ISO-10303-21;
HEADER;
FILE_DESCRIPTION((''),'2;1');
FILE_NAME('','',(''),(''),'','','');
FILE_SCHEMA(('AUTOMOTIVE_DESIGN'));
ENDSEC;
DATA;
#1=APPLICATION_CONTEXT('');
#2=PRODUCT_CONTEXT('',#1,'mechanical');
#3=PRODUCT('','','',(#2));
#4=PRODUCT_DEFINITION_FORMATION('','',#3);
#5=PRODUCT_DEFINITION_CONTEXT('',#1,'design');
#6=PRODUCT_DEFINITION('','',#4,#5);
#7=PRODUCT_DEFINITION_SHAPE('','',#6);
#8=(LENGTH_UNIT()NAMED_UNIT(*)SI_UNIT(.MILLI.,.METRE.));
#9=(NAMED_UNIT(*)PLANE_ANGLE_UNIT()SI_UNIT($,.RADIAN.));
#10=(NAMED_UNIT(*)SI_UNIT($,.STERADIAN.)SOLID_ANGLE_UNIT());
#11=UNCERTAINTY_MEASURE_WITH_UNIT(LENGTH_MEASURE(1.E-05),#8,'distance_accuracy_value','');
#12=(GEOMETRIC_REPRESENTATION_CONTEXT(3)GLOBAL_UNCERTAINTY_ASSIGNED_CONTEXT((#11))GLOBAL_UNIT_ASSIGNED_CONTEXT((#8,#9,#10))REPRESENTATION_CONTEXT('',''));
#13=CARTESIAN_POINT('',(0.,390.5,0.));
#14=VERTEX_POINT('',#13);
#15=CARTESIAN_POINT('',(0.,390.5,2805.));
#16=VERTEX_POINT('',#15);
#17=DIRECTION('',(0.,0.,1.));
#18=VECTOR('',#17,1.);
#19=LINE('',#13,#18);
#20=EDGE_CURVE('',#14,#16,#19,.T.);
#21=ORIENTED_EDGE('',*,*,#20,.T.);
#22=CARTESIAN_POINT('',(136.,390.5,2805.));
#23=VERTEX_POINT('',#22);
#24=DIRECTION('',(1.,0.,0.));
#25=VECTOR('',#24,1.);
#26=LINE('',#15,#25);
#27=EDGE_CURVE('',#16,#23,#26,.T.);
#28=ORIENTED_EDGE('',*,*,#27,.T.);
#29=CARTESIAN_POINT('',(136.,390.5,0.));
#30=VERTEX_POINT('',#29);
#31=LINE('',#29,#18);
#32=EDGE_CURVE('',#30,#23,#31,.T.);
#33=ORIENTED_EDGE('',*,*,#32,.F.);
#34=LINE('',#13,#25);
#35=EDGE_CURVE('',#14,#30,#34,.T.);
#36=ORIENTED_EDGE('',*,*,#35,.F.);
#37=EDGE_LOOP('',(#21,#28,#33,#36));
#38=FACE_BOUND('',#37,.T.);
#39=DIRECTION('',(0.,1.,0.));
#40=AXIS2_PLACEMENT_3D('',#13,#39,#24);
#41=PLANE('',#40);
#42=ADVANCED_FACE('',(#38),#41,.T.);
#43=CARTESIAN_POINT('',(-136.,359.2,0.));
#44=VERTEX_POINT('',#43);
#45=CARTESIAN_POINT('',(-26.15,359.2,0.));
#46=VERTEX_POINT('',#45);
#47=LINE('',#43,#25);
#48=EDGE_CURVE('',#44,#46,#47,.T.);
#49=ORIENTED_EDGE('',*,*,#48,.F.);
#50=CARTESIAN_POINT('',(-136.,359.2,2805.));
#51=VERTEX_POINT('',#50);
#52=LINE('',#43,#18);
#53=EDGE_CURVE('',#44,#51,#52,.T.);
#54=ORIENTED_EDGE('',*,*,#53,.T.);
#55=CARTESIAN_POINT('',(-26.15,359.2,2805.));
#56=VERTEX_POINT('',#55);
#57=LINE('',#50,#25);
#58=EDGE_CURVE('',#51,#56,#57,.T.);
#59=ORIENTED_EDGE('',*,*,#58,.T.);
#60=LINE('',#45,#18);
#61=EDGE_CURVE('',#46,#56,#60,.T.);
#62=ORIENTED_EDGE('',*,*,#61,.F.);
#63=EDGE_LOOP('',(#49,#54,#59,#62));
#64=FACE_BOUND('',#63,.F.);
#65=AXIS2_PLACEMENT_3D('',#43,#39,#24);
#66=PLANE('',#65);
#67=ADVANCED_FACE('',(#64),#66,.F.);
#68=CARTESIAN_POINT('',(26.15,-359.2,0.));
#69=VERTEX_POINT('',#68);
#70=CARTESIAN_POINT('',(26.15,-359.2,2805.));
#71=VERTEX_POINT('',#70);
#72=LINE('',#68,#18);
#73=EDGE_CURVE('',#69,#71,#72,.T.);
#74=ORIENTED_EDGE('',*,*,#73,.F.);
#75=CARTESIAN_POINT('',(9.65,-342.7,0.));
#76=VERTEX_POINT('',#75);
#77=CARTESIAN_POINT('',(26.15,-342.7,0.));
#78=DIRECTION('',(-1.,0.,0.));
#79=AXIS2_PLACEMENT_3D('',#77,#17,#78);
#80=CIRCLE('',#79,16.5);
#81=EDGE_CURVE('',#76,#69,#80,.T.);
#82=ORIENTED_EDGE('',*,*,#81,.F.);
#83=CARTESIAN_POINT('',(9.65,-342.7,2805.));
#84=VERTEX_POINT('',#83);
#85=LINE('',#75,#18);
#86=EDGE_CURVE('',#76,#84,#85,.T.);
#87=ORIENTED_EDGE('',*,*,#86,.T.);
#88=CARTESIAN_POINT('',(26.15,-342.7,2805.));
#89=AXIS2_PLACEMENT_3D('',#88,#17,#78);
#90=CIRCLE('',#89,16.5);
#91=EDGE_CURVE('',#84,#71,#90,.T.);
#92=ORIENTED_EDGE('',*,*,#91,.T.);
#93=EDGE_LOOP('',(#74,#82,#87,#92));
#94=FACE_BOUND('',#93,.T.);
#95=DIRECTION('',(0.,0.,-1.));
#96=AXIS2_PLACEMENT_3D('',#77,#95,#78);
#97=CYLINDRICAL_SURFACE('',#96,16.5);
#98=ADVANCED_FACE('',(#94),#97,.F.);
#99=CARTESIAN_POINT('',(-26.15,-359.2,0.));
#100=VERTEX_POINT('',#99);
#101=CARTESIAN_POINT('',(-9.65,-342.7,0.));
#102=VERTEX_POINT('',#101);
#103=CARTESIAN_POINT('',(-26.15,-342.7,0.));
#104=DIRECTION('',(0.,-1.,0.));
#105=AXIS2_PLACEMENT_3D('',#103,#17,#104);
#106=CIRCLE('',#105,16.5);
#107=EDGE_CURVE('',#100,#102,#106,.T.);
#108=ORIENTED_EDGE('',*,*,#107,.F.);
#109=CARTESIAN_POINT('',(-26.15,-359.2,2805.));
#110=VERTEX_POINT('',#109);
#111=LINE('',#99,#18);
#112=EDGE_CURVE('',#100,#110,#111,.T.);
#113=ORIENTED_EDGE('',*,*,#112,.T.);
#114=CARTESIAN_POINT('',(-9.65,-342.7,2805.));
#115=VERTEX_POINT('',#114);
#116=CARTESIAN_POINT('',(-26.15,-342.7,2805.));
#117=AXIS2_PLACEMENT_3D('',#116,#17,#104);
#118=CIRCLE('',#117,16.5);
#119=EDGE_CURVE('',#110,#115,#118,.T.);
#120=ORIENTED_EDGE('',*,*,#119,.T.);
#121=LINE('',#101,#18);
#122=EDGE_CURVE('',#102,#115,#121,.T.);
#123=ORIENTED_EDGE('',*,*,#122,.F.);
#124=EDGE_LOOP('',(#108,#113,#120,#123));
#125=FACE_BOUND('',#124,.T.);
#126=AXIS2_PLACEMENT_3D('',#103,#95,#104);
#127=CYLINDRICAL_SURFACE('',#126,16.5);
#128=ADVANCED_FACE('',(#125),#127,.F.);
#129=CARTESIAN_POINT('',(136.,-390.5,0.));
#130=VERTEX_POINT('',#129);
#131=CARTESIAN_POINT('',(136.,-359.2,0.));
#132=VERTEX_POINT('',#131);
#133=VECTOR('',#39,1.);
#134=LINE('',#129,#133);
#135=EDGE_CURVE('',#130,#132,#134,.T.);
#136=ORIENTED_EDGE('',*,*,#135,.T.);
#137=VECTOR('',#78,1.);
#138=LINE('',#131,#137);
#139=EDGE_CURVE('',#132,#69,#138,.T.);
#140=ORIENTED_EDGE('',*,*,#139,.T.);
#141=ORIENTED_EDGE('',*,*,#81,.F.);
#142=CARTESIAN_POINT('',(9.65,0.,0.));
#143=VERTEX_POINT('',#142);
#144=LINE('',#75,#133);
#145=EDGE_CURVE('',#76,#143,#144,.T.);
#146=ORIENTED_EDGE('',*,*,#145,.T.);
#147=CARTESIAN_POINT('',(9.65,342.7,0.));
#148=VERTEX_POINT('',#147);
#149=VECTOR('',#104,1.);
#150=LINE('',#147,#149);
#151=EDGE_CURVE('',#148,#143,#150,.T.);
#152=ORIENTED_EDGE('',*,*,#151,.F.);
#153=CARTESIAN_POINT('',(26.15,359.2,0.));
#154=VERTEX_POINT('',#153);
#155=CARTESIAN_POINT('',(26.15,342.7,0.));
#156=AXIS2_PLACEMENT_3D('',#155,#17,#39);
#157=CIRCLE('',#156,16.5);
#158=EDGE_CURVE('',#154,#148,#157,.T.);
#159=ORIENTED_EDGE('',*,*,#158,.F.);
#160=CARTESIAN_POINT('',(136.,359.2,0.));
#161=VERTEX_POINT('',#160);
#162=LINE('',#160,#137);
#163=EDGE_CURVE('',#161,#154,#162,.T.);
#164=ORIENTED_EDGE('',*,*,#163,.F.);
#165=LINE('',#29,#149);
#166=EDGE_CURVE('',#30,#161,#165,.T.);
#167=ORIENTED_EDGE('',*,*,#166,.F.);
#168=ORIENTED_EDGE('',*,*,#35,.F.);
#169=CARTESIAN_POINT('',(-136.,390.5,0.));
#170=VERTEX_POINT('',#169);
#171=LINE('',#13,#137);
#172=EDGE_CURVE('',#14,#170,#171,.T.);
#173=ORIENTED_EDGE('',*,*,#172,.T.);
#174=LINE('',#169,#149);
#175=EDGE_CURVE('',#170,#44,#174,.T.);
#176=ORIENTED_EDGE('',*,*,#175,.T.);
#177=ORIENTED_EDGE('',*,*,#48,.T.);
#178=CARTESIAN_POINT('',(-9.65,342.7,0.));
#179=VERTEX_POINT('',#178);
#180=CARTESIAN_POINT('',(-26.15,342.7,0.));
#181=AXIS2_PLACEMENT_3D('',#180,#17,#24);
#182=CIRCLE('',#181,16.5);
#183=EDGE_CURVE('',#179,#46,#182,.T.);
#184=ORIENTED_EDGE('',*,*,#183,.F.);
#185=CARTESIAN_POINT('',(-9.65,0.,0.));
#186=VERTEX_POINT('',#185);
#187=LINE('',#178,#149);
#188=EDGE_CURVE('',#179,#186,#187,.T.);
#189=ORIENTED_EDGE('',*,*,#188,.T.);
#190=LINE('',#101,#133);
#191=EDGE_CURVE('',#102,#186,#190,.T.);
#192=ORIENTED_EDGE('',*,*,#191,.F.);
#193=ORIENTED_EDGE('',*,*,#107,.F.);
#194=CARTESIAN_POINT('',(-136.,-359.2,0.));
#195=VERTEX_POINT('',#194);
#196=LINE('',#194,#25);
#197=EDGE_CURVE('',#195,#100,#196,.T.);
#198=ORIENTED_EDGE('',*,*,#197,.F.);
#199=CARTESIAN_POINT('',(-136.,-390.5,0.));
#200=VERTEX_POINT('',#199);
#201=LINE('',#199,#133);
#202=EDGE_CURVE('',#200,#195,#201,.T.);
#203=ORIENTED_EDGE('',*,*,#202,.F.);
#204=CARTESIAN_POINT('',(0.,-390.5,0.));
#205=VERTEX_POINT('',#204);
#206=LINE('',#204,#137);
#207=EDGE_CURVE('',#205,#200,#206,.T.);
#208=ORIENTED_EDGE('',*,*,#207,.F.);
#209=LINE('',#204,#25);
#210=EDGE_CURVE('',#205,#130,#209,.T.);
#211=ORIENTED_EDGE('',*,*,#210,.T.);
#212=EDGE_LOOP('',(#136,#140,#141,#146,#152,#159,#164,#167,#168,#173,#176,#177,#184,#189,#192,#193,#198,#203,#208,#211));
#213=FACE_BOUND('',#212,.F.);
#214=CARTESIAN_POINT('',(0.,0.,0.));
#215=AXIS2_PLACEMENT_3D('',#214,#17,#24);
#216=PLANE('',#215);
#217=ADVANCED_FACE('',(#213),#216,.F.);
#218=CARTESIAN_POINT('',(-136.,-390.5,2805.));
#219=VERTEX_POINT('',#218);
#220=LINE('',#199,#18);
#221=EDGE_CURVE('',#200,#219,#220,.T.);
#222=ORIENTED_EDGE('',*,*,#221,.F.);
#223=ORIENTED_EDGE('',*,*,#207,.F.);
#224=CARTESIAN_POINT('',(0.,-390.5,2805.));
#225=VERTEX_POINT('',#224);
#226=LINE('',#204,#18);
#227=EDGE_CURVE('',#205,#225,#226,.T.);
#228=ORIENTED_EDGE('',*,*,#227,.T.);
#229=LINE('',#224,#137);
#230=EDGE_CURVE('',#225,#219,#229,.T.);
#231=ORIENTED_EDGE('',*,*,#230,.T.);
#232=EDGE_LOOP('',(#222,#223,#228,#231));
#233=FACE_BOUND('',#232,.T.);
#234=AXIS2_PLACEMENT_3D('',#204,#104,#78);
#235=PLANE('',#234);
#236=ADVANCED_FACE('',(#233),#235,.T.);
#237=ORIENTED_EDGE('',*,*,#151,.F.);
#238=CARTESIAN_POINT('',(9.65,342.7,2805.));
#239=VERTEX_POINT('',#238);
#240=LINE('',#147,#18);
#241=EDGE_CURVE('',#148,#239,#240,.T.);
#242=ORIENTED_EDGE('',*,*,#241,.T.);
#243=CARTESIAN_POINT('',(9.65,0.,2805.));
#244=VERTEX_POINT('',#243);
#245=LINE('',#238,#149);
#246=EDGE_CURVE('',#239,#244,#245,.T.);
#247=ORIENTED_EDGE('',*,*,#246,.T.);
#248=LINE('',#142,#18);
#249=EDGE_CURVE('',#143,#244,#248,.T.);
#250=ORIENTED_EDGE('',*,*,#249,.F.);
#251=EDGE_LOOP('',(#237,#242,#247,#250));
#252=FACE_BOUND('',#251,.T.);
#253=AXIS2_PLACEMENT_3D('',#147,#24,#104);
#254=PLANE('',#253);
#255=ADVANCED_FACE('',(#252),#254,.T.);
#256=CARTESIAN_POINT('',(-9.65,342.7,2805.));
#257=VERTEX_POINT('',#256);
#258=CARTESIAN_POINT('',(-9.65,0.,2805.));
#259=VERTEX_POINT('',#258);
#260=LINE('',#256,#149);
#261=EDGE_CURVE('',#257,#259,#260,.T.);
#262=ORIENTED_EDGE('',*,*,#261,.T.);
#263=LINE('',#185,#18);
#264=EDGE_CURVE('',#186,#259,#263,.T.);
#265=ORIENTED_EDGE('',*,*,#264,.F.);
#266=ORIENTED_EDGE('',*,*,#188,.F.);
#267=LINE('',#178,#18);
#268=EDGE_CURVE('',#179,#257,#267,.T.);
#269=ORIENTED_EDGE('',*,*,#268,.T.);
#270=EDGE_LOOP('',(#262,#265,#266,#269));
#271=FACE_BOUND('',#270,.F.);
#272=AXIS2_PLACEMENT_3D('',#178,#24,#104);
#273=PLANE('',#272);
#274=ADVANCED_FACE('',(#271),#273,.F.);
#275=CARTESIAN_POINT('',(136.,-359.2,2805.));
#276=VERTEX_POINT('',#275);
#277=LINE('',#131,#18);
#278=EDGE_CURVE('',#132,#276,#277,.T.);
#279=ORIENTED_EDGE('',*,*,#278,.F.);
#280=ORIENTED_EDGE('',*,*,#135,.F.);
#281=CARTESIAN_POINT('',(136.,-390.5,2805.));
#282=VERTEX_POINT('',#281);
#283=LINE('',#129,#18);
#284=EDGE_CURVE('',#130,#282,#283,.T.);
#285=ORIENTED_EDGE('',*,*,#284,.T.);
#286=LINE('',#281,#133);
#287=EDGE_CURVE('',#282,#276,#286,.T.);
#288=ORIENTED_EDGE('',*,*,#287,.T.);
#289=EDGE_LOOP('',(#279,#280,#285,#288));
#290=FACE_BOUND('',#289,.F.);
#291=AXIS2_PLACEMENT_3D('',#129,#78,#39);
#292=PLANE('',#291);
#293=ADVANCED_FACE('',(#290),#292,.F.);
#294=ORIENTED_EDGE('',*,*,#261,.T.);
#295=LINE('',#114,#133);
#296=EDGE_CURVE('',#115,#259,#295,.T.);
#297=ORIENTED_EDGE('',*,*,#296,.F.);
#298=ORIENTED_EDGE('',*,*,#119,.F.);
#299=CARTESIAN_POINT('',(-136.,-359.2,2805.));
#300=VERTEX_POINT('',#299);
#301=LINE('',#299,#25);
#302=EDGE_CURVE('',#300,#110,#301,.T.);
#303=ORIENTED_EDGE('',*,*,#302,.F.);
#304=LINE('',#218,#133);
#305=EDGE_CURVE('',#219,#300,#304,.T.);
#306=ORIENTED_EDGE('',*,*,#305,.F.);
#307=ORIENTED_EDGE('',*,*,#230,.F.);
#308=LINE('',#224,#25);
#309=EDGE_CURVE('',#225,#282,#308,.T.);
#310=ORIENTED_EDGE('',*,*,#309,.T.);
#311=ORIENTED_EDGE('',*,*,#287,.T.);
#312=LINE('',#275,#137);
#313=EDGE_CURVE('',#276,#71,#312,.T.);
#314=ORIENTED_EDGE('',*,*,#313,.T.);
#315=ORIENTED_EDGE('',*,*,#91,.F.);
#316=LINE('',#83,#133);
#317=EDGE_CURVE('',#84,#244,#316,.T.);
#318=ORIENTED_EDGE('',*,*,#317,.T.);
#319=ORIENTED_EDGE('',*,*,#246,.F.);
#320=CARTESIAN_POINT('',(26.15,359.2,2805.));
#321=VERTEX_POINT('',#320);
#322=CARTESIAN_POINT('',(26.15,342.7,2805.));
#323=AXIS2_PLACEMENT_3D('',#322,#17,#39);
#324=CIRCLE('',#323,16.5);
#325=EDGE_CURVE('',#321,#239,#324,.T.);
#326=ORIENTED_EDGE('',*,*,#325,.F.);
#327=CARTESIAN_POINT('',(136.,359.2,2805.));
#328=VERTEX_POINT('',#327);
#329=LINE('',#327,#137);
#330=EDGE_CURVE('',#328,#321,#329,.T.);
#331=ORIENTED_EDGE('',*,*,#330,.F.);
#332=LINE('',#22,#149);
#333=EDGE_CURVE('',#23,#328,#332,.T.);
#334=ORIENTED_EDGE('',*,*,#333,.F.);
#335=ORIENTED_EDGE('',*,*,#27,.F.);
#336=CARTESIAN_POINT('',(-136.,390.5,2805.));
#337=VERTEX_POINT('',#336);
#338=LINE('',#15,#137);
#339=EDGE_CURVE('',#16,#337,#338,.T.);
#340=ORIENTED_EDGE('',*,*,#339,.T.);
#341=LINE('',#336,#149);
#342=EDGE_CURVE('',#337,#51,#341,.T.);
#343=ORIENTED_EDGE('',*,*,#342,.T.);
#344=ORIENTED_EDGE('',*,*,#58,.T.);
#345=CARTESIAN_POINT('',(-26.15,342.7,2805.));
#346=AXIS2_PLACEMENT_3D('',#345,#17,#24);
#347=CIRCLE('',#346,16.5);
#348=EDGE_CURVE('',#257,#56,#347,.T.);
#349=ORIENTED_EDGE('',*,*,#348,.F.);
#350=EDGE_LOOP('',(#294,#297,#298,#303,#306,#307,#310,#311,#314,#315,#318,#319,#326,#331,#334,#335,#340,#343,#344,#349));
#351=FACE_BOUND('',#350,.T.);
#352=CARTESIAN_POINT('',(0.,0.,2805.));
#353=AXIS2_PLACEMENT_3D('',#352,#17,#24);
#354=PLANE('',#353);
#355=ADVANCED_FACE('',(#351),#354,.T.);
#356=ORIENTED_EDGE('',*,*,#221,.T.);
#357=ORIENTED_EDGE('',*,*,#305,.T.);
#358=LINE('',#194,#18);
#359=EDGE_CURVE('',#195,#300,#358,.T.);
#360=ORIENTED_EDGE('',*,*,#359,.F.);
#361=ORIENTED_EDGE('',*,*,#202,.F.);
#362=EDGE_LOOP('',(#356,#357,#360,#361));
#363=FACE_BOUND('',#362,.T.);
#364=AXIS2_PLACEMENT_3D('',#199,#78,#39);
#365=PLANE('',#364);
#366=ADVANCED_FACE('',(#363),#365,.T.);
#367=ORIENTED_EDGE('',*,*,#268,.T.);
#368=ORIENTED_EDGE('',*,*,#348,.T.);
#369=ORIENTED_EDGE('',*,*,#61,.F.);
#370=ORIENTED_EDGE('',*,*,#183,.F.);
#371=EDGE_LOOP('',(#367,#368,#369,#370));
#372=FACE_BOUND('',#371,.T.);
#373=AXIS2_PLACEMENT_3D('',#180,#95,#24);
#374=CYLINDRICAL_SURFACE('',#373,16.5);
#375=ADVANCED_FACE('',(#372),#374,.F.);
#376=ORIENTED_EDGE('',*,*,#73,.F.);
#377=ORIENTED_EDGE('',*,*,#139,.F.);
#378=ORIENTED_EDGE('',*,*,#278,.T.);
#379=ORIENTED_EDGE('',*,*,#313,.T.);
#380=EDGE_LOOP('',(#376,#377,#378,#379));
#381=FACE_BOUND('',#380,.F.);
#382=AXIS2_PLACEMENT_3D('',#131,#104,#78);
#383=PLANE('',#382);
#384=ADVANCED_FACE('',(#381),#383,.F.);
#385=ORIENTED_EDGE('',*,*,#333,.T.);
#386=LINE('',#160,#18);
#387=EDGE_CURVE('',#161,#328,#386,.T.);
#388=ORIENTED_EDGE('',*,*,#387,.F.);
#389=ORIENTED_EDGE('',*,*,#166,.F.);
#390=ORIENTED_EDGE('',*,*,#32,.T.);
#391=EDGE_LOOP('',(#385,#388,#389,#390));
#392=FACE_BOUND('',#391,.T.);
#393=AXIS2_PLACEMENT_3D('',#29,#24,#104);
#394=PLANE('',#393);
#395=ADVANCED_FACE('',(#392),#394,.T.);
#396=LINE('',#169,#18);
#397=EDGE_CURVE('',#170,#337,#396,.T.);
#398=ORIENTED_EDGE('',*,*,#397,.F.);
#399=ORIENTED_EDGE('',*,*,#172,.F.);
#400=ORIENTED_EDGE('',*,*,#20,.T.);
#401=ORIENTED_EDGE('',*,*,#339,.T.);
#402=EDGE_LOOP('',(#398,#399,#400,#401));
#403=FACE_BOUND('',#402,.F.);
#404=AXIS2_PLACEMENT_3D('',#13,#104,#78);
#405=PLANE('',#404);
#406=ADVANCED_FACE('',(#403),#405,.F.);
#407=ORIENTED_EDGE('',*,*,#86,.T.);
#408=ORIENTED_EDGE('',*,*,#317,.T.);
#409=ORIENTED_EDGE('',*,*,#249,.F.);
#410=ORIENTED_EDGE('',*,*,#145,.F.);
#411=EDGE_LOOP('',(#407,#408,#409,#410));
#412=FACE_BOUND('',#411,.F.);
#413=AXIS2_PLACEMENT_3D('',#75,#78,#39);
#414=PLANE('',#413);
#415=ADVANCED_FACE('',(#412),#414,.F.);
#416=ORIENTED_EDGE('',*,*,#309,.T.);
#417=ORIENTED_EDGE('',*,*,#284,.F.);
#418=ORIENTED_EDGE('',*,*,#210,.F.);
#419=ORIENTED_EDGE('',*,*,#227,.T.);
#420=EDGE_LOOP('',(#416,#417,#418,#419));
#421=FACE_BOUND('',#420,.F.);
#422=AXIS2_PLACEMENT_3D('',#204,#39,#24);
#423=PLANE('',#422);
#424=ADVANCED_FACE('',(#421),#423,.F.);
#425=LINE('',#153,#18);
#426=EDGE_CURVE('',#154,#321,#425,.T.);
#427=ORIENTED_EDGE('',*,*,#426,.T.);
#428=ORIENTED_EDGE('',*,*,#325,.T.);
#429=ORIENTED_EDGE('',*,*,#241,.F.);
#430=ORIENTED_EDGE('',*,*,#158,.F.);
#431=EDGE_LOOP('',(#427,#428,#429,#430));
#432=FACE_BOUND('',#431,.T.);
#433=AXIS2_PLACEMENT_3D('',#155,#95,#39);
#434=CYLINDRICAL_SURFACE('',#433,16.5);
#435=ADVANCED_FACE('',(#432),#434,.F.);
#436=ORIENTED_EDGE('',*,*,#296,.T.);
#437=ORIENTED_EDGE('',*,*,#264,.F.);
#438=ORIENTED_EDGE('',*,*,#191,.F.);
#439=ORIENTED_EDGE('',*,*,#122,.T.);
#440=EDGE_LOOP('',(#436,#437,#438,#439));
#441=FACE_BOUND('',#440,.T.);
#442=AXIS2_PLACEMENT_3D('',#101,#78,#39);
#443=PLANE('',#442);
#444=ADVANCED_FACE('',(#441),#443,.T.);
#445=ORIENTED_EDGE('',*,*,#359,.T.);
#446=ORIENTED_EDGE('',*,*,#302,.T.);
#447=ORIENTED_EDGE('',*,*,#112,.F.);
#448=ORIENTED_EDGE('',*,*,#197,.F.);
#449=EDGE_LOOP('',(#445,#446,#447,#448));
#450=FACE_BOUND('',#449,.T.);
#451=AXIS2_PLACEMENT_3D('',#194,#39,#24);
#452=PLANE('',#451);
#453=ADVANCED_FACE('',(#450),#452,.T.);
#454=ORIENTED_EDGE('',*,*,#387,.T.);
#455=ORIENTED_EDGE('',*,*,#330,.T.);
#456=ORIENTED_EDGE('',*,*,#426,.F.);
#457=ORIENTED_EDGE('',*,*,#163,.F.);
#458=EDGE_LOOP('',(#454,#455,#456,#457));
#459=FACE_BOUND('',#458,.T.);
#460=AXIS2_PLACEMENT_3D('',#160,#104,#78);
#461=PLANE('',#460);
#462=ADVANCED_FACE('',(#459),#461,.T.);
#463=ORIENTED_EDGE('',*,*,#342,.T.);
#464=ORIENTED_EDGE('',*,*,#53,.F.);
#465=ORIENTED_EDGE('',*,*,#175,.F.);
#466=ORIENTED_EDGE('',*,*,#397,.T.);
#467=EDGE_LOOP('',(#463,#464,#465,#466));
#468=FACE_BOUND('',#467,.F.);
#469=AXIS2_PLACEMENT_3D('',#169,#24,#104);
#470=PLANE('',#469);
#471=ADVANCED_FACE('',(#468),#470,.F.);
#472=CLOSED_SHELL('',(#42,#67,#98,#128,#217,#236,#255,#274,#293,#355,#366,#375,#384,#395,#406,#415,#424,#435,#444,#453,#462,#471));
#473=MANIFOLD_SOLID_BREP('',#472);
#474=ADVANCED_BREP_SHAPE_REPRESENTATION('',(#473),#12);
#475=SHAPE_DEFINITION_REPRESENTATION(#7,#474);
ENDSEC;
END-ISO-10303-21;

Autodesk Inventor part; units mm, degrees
ref_plane "YZ Plane" through (0, 0, 0) normal (1, 0, 0) x (0, 1, 0)
ref_plane "Start plane" through (0, 0, 0) normal (0, 0, 1) x (1, 0, 0)
ref_plane "End plane" through (0, 0, 2805) normal (0, 0, 1) x (1, 0, 0)
sketch "Sketch" plane through (0, 0, 0) normal (0, 0, 1) x (1, 0, 0)
  line L0 (-136, -390.5) -> (-136, -359.2)
  line L1 (-136, -359.2) -> (-26.15, -359.2)
  line L2 (-9.65, -342.7) -> (-9.65, 0)
  line L3 (-9.65, 0) -> (0, 0) construction
  line L4 (0, 0) -> (0, -390.5) construction
  line L5 (0, -390.5) -> (-136, -390.5)
  line L6 (-60, 0) -> (80, 0) construction
  line L7 (0, -60) -> (0, 80) construction
  line L8 (136, -390.5) -> (136, -359.2)
  line L9 (136, -359.2) -> (26.15, -359.2)
  line L10 (9.65, -342.7) -> (9.65, 0)
  line L11 (9.65, 0) -> (0, 0) construction
  line L12 (0, -390.5) -> (136, -390.5)
  line L13 (-136, 390.5) -> (-136, 359.2)
  line L14 (-136, 359.2) -> (-26.15, 359.2)
  line L15 (-9.65, 342.7) -> (-9.65, 0)
  line L16 (0, 390.5) -> (-136, 390.5)
  line L17 (136, 390.5) -> (136, 359.2)
  line L18 (136, 359.2) -> (26.15, 359.2)
  line L19 (0, 390.5) -> (136, 390.5)
  line L20 (9.65, 342.7) -> (9.65, 0)
  arc A0 (-9.65, 342.7) -> (-26.15, 359.2) centre (-26.15, 342.7) ccw
  arc A1 (26.15, 359.2) -> (9.65, 342.7) centre (26.15, 342.7) ccw
  arc A2 (9.65, -342.7) -> (26.15, -359.2) centre (26.15, -342.7) ccw
  arc A3 (-26.15, -359.2) -> (-9.65, -342.7) centre (-26.15, -342.7) ccw
  line L21 (0, 108) -> (0, -88) construction
  line L22 (-88, 0) -> (108, 0) construction
  point P0 (-9.65, -359.2)
  point P1 (9.65, -359.2)
  point P2 (-9.65, 359.2)
  point P3 (9.65, 359.2)
  dimension "d1" = 390.5
  dimension "d2" = 31.3
  dimension "d3" = 136
  dimension "d4" = 9.65
  dimension "d10" = 16.5
extrude "Body" add sketch "Sketch" along normal up to surface (2805 mm away) from surface at 0
sketch "Sketch4" plane through (0, 0, 0) normal (0, 0, 1) x (1, 0, 0)
  line L0 (0, 0) -> (10, 0)
ref_plane "Work Plane3" through (0, 0, 0) normal (0, -1, 0) x (1, 0, 0)
sketch "Sketch5" plane through (0, 0, 0) normal (0, -1, 0) x (1, 0, 0)
  line L0 (-2, 0) -> (12, 0) projected
  line L1 (-2, 2805) -> (12, 2805) projected
  dimension "d14" = 2805
equation "\"d1\" = 0.5 * G_H"
equation "\"d2\" = G_T1"
equation "\"d3\" = 0.5 * G_W"
equation "\"d4\" = 0.5 * G_T"
equation "\"d10\" = G_IR"
equation "\"d5\" = G_L"
equation "\"G_W\" = 272"
equation "\"G_H\" = 781"
equation "\"G_T\" = 19.3"
equation "\"G_T1\" = 31.3"
equation "\"G_IR\" = 16.5"
equation "\"G_L\" = d14"
equation "\"G_OFFSET_START\" = 0"
equation "\"G_OFFSET_END\" = 0"
equation "\"d12\" = G_OFFSET_END + B_L"
equation "\"B_L\" = 2805"
properties part number "AS 3679-1990 - 760 UB - 244 - 2805" material "Steel, Mild"
